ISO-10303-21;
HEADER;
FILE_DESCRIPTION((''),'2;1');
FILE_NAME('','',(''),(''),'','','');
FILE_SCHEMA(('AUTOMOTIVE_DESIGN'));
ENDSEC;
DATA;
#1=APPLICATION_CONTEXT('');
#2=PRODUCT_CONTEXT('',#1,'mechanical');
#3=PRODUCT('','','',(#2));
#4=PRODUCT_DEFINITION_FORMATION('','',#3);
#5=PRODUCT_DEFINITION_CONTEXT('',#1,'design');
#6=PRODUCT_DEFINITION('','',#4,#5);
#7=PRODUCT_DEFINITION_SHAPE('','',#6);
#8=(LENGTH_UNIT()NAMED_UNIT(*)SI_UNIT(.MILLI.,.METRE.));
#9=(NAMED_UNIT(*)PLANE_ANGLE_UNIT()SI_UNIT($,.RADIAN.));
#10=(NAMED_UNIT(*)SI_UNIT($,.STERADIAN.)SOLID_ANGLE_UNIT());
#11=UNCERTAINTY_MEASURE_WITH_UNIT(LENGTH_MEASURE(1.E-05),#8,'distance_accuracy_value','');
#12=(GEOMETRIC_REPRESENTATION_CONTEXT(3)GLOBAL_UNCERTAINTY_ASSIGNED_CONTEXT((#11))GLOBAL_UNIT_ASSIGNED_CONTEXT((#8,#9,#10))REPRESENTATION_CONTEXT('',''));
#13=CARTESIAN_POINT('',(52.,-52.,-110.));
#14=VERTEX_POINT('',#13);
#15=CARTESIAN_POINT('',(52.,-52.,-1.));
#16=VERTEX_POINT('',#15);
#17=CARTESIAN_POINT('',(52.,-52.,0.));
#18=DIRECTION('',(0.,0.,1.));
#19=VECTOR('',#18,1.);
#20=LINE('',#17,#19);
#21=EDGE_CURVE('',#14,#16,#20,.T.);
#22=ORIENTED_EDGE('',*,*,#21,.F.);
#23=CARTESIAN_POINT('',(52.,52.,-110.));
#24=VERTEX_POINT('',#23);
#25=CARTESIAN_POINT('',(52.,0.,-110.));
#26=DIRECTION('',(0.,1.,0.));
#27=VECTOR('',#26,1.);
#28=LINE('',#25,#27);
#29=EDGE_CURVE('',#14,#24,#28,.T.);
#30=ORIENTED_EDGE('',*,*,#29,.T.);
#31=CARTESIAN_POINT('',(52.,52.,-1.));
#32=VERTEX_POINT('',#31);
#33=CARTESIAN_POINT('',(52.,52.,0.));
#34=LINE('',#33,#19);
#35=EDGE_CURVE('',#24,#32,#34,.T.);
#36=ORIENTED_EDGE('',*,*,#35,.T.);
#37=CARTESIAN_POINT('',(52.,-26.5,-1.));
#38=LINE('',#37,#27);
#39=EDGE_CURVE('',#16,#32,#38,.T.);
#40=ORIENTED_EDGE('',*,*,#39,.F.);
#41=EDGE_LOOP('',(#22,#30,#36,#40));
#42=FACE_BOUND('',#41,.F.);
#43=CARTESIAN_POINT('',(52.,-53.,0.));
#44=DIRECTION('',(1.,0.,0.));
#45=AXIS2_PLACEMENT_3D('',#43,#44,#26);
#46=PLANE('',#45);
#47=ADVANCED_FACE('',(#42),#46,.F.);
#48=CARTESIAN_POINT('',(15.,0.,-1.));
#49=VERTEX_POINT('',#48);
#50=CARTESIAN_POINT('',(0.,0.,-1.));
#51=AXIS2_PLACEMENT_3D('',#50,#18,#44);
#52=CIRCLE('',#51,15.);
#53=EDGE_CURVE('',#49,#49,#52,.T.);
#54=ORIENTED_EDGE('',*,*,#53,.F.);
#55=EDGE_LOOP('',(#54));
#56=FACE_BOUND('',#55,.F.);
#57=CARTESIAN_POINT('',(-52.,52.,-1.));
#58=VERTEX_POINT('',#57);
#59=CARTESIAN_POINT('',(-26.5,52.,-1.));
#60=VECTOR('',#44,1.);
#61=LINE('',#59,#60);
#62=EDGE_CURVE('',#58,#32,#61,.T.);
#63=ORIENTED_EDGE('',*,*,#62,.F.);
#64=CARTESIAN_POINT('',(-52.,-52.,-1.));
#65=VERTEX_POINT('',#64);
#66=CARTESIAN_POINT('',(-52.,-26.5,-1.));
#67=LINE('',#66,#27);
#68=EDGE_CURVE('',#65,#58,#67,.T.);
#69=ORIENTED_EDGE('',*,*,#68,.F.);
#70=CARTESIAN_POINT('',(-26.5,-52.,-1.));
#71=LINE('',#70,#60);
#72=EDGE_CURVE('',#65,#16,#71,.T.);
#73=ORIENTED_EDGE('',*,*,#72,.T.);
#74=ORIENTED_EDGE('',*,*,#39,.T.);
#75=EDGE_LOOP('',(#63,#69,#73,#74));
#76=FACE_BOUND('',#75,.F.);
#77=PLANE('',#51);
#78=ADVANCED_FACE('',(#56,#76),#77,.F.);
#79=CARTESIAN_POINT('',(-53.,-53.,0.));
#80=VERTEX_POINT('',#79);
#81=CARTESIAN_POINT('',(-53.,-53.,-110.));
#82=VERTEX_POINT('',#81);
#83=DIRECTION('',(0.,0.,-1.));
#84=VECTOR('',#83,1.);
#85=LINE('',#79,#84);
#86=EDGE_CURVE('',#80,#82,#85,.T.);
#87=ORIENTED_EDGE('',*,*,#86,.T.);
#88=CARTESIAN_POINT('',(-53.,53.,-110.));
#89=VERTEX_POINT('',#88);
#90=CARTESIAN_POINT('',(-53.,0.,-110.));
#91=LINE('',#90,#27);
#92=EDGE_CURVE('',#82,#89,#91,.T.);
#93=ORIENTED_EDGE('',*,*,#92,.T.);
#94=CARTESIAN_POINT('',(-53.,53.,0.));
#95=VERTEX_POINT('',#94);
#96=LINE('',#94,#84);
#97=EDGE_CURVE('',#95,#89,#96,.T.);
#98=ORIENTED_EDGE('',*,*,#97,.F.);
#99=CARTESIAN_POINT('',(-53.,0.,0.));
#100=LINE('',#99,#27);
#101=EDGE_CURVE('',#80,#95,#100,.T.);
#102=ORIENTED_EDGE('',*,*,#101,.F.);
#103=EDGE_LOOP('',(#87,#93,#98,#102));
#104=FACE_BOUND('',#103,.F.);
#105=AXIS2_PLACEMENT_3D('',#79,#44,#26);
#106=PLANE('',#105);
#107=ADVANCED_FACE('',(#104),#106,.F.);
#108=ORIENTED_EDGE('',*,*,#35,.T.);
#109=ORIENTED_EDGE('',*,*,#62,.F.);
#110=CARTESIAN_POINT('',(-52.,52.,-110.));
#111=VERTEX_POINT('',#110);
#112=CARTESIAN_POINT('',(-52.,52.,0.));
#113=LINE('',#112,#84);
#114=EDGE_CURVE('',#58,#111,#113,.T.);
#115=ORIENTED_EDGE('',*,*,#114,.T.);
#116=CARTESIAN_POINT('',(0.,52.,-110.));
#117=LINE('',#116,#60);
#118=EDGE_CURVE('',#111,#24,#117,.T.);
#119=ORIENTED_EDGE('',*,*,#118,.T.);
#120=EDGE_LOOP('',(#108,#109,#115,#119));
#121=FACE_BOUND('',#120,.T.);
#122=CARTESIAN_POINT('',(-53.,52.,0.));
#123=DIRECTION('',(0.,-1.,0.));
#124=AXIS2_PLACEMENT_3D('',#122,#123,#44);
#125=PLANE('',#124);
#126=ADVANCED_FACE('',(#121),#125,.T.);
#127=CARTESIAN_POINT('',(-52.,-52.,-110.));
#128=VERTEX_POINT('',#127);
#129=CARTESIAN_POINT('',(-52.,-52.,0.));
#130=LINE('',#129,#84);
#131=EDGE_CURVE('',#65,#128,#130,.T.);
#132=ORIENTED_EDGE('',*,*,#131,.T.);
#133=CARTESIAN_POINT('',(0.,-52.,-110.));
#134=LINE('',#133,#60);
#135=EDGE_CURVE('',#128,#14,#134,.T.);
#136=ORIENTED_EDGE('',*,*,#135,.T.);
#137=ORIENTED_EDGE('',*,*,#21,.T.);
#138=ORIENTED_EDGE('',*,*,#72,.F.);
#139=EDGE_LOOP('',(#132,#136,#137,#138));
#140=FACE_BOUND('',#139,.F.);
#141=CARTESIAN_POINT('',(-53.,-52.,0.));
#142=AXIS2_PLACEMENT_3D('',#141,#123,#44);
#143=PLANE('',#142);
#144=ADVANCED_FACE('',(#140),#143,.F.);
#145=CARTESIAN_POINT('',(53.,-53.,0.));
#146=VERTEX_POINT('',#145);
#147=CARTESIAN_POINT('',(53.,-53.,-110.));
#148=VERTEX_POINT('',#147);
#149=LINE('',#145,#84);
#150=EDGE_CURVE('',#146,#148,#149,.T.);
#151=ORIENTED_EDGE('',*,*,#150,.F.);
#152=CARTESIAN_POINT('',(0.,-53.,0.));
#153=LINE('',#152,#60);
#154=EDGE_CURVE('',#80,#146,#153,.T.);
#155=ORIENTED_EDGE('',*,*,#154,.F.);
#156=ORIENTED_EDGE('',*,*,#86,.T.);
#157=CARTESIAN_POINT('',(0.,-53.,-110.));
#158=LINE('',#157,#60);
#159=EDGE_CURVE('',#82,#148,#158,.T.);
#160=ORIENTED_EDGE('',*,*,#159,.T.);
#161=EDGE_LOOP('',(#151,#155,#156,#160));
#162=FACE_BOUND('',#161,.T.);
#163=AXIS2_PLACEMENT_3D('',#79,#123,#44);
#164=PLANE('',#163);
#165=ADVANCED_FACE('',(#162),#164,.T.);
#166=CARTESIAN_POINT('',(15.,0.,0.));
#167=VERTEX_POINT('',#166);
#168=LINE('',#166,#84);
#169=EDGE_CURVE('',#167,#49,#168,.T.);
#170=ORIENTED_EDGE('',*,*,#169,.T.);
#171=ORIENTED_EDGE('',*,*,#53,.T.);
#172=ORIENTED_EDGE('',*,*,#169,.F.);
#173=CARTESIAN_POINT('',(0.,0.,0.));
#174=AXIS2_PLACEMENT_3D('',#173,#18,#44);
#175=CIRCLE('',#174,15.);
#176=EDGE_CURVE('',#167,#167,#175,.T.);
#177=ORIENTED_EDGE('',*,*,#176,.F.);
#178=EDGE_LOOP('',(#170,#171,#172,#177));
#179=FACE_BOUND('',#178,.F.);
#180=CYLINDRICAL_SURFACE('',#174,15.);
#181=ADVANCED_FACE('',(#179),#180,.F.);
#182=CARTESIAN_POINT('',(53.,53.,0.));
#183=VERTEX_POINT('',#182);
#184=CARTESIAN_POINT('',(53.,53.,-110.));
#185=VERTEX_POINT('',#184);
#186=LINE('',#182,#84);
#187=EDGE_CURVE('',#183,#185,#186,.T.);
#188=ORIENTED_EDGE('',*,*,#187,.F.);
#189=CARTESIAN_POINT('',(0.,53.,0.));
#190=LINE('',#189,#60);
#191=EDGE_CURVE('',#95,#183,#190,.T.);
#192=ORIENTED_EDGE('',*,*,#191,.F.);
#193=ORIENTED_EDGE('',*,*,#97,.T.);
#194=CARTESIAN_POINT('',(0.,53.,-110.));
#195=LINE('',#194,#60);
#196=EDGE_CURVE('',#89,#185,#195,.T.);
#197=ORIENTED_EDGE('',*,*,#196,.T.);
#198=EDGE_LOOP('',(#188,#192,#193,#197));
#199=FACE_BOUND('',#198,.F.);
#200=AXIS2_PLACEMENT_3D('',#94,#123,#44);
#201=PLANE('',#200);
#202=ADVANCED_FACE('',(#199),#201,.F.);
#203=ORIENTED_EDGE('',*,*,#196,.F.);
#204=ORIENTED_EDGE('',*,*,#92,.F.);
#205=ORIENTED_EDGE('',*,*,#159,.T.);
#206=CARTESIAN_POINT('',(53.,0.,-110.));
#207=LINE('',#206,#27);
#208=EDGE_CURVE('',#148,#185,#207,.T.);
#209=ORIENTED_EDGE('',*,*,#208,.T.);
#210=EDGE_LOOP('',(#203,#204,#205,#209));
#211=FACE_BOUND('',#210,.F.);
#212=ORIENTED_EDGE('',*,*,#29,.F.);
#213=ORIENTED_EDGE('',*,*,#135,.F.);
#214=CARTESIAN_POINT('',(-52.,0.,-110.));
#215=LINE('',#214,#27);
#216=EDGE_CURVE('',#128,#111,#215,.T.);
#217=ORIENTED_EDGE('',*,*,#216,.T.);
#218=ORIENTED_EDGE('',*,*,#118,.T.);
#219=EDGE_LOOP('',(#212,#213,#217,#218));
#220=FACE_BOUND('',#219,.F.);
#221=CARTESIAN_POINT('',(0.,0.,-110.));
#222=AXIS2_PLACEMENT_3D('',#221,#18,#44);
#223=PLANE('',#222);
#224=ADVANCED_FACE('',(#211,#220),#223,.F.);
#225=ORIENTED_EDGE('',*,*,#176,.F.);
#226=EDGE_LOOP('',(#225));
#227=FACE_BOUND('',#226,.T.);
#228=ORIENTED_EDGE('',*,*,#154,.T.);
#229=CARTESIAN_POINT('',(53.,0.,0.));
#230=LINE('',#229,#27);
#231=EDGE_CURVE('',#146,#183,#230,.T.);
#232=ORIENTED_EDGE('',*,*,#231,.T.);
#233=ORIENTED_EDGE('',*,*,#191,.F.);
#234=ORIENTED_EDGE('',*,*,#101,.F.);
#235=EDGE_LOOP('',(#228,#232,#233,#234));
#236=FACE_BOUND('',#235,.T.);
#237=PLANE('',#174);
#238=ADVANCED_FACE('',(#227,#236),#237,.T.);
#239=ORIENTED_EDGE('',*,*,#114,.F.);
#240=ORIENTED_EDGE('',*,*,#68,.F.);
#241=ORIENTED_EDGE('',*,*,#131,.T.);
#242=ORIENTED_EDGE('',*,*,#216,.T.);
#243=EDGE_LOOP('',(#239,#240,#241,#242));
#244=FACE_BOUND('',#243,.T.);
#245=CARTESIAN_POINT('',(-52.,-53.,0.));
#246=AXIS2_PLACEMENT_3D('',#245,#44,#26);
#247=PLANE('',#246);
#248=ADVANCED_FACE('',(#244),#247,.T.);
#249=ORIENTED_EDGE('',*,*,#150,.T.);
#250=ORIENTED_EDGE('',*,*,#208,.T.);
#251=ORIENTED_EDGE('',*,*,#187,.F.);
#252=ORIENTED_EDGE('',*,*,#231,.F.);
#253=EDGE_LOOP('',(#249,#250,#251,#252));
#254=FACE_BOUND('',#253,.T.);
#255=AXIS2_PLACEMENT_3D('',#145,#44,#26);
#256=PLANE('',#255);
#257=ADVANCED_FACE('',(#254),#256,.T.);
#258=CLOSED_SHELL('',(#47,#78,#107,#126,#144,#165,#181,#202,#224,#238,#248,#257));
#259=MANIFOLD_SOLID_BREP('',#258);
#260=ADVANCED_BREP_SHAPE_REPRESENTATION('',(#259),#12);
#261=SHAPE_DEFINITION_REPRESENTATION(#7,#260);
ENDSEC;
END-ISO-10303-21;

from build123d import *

# Parameters (mm, degrees)
F0_W     = 106
F0_H     = 106
F0_R     = 15
F1_DEPTH = 110
F2_T     = -1


with BuildPart() as f1:
    # F0 (on Top) → F1 (new body)
    with BuildSketch(Plane.XY):
        Rectangle(F0_W, F0_H)
        Circle(F0_R, mode=Mode.SUBTRACT)
    extrude(amount=-F1_DEPTH)

    # F2
    f2_openings = [f1.faces().sort_by_distance(p)[0] for p in [
        (51.500934, 0, -110),
        (-15, 0, -55),
    ]]
    offset(amount=F2_T, openings=f2_openings)


solid = f1.part
